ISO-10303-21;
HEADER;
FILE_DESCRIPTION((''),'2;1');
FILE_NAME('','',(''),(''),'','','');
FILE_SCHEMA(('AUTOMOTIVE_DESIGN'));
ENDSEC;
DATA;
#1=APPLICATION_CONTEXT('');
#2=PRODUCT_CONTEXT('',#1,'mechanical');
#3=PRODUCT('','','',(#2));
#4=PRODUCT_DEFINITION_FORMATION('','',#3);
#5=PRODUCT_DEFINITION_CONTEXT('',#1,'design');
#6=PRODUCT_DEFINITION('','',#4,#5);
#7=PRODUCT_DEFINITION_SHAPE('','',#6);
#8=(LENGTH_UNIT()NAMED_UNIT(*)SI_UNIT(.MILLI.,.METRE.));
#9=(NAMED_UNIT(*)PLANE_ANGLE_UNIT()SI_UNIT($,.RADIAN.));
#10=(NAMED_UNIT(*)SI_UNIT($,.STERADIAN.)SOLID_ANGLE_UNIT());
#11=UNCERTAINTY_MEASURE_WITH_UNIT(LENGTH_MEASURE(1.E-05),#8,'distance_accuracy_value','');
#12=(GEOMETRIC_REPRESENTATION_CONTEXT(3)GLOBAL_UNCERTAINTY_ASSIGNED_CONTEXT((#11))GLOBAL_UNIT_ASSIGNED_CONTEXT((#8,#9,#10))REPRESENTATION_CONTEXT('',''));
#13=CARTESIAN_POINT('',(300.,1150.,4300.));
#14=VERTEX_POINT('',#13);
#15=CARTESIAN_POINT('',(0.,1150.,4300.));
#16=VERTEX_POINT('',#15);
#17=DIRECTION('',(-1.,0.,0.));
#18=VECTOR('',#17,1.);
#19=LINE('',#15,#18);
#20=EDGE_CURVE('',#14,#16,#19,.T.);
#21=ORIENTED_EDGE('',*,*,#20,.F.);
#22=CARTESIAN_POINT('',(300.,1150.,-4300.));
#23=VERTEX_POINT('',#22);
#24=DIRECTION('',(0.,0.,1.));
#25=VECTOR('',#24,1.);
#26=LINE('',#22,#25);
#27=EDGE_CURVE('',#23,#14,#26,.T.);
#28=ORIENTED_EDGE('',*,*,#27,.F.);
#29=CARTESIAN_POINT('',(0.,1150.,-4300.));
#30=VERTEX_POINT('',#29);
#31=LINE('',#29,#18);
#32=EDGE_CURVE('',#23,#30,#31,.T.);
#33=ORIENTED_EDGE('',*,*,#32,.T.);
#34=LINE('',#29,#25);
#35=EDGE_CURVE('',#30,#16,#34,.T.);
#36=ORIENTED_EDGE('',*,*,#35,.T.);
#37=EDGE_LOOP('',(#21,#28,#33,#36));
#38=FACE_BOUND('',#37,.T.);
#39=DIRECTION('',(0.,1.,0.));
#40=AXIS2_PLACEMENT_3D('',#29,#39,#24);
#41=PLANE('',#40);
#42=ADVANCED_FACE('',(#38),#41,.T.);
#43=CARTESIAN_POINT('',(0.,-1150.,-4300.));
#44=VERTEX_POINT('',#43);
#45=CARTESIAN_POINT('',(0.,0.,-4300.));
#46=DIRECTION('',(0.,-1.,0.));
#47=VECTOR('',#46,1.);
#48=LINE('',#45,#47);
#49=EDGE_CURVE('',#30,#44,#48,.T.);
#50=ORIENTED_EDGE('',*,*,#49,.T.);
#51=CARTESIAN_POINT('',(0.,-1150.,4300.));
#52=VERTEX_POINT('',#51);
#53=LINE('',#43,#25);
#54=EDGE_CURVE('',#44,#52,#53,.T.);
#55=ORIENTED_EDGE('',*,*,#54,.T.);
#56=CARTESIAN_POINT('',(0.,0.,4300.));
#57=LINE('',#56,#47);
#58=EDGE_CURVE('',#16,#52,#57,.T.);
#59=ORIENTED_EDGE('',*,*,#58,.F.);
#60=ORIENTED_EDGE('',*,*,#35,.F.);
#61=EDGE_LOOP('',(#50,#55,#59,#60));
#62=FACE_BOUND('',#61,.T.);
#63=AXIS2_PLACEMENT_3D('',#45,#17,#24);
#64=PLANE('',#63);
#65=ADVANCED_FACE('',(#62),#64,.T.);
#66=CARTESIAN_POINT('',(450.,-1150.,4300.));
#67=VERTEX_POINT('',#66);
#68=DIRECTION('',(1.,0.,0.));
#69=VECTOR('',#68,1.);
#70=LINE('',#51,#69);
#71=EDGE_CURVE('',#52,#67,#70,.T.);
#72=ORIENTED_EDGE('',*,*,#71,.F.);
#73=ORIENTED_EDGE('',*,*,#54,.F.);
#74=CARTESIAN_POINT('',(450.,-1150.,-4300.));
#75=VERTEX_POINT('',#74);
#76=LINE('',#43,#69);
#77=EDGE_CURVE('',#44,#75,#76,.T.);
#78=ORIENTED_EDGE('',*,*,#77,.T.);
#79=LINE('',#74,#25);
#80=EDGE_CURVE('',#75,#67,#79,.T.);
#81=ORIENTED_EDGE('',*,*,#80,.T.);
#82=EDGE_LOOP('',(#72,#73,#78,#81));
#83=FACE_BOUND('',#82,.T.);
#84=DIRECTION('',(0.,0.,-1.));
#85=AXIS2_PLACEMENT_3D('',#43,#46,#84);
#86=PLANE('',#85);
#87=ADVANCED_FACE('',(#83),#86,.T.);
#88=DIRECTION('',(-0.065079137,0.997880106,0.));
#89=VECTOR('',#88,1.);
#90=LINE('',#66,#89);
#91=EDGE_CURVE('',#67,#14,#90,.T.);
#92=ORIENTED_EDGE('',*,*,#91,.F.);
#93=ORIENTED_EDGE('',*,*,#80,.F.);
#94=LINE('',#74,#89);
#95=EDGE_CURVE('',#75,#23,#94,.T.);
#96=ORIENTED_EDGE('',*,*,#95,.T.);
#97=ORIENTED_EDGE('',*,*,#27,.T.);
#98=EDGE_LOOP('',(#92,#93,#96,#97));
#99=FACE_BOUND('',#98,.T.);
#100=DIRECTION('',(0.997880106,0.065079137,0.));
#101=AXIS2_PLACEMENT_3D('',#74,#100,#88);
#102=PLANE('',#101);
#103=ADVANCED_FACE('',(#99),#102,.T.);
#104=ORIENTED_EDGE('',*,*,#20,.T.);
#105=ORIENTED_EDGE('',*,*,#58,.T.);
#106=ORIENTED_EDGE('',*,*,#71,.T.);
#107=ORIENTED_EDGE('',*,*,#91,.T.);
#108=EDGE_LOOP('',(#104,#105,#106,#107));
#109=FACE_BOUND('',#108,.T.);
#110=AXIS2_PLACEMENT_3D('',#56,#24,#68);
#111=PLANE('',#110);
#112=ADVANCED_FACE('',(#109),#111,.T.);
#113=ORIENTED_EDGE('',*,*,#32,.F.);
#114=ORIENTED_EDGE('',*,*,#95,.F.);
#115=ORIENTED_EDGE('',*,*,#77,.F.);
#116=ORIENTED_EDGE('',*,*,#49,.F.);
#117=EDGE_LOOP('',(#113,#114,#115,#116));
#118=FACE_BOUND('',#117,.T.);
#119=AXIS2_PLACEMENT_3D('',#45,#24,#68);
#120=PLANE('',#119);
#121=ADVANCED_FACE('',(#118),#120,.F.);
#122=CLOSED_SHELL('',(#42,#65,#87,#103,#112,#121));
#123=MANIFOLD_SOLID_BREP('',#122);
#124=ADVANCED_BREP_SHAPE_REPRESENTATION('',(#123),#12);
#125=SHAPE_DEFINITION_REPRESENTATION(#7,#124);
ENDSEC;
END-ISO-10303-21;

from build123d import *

# Parameters (mm, degrees)
BOSS_EXTRUDE1_DEPTH      = 4300
BOSS_EXTRUDE1_DEPTH_BACK = 4300


with BuildPart() as part:
    # Sketch1 → Boss-Extrude1 (new, two sides: drawn at the far end of the back side and taken through both)
    with BuildSketch(Plane.XY.offset(-BOSS_EXTRUDE1_DEPTH_BACK)):
        Polygon((0, 0), (0, 1150), (300, 1150), (450, -1150), (0, -1150), align=None)
    extrude(amount=BOSS_EXTRUDE1_DEPTH + BOSS_EXTRUDE1_DEPTH_BACK)


solid = part.part
